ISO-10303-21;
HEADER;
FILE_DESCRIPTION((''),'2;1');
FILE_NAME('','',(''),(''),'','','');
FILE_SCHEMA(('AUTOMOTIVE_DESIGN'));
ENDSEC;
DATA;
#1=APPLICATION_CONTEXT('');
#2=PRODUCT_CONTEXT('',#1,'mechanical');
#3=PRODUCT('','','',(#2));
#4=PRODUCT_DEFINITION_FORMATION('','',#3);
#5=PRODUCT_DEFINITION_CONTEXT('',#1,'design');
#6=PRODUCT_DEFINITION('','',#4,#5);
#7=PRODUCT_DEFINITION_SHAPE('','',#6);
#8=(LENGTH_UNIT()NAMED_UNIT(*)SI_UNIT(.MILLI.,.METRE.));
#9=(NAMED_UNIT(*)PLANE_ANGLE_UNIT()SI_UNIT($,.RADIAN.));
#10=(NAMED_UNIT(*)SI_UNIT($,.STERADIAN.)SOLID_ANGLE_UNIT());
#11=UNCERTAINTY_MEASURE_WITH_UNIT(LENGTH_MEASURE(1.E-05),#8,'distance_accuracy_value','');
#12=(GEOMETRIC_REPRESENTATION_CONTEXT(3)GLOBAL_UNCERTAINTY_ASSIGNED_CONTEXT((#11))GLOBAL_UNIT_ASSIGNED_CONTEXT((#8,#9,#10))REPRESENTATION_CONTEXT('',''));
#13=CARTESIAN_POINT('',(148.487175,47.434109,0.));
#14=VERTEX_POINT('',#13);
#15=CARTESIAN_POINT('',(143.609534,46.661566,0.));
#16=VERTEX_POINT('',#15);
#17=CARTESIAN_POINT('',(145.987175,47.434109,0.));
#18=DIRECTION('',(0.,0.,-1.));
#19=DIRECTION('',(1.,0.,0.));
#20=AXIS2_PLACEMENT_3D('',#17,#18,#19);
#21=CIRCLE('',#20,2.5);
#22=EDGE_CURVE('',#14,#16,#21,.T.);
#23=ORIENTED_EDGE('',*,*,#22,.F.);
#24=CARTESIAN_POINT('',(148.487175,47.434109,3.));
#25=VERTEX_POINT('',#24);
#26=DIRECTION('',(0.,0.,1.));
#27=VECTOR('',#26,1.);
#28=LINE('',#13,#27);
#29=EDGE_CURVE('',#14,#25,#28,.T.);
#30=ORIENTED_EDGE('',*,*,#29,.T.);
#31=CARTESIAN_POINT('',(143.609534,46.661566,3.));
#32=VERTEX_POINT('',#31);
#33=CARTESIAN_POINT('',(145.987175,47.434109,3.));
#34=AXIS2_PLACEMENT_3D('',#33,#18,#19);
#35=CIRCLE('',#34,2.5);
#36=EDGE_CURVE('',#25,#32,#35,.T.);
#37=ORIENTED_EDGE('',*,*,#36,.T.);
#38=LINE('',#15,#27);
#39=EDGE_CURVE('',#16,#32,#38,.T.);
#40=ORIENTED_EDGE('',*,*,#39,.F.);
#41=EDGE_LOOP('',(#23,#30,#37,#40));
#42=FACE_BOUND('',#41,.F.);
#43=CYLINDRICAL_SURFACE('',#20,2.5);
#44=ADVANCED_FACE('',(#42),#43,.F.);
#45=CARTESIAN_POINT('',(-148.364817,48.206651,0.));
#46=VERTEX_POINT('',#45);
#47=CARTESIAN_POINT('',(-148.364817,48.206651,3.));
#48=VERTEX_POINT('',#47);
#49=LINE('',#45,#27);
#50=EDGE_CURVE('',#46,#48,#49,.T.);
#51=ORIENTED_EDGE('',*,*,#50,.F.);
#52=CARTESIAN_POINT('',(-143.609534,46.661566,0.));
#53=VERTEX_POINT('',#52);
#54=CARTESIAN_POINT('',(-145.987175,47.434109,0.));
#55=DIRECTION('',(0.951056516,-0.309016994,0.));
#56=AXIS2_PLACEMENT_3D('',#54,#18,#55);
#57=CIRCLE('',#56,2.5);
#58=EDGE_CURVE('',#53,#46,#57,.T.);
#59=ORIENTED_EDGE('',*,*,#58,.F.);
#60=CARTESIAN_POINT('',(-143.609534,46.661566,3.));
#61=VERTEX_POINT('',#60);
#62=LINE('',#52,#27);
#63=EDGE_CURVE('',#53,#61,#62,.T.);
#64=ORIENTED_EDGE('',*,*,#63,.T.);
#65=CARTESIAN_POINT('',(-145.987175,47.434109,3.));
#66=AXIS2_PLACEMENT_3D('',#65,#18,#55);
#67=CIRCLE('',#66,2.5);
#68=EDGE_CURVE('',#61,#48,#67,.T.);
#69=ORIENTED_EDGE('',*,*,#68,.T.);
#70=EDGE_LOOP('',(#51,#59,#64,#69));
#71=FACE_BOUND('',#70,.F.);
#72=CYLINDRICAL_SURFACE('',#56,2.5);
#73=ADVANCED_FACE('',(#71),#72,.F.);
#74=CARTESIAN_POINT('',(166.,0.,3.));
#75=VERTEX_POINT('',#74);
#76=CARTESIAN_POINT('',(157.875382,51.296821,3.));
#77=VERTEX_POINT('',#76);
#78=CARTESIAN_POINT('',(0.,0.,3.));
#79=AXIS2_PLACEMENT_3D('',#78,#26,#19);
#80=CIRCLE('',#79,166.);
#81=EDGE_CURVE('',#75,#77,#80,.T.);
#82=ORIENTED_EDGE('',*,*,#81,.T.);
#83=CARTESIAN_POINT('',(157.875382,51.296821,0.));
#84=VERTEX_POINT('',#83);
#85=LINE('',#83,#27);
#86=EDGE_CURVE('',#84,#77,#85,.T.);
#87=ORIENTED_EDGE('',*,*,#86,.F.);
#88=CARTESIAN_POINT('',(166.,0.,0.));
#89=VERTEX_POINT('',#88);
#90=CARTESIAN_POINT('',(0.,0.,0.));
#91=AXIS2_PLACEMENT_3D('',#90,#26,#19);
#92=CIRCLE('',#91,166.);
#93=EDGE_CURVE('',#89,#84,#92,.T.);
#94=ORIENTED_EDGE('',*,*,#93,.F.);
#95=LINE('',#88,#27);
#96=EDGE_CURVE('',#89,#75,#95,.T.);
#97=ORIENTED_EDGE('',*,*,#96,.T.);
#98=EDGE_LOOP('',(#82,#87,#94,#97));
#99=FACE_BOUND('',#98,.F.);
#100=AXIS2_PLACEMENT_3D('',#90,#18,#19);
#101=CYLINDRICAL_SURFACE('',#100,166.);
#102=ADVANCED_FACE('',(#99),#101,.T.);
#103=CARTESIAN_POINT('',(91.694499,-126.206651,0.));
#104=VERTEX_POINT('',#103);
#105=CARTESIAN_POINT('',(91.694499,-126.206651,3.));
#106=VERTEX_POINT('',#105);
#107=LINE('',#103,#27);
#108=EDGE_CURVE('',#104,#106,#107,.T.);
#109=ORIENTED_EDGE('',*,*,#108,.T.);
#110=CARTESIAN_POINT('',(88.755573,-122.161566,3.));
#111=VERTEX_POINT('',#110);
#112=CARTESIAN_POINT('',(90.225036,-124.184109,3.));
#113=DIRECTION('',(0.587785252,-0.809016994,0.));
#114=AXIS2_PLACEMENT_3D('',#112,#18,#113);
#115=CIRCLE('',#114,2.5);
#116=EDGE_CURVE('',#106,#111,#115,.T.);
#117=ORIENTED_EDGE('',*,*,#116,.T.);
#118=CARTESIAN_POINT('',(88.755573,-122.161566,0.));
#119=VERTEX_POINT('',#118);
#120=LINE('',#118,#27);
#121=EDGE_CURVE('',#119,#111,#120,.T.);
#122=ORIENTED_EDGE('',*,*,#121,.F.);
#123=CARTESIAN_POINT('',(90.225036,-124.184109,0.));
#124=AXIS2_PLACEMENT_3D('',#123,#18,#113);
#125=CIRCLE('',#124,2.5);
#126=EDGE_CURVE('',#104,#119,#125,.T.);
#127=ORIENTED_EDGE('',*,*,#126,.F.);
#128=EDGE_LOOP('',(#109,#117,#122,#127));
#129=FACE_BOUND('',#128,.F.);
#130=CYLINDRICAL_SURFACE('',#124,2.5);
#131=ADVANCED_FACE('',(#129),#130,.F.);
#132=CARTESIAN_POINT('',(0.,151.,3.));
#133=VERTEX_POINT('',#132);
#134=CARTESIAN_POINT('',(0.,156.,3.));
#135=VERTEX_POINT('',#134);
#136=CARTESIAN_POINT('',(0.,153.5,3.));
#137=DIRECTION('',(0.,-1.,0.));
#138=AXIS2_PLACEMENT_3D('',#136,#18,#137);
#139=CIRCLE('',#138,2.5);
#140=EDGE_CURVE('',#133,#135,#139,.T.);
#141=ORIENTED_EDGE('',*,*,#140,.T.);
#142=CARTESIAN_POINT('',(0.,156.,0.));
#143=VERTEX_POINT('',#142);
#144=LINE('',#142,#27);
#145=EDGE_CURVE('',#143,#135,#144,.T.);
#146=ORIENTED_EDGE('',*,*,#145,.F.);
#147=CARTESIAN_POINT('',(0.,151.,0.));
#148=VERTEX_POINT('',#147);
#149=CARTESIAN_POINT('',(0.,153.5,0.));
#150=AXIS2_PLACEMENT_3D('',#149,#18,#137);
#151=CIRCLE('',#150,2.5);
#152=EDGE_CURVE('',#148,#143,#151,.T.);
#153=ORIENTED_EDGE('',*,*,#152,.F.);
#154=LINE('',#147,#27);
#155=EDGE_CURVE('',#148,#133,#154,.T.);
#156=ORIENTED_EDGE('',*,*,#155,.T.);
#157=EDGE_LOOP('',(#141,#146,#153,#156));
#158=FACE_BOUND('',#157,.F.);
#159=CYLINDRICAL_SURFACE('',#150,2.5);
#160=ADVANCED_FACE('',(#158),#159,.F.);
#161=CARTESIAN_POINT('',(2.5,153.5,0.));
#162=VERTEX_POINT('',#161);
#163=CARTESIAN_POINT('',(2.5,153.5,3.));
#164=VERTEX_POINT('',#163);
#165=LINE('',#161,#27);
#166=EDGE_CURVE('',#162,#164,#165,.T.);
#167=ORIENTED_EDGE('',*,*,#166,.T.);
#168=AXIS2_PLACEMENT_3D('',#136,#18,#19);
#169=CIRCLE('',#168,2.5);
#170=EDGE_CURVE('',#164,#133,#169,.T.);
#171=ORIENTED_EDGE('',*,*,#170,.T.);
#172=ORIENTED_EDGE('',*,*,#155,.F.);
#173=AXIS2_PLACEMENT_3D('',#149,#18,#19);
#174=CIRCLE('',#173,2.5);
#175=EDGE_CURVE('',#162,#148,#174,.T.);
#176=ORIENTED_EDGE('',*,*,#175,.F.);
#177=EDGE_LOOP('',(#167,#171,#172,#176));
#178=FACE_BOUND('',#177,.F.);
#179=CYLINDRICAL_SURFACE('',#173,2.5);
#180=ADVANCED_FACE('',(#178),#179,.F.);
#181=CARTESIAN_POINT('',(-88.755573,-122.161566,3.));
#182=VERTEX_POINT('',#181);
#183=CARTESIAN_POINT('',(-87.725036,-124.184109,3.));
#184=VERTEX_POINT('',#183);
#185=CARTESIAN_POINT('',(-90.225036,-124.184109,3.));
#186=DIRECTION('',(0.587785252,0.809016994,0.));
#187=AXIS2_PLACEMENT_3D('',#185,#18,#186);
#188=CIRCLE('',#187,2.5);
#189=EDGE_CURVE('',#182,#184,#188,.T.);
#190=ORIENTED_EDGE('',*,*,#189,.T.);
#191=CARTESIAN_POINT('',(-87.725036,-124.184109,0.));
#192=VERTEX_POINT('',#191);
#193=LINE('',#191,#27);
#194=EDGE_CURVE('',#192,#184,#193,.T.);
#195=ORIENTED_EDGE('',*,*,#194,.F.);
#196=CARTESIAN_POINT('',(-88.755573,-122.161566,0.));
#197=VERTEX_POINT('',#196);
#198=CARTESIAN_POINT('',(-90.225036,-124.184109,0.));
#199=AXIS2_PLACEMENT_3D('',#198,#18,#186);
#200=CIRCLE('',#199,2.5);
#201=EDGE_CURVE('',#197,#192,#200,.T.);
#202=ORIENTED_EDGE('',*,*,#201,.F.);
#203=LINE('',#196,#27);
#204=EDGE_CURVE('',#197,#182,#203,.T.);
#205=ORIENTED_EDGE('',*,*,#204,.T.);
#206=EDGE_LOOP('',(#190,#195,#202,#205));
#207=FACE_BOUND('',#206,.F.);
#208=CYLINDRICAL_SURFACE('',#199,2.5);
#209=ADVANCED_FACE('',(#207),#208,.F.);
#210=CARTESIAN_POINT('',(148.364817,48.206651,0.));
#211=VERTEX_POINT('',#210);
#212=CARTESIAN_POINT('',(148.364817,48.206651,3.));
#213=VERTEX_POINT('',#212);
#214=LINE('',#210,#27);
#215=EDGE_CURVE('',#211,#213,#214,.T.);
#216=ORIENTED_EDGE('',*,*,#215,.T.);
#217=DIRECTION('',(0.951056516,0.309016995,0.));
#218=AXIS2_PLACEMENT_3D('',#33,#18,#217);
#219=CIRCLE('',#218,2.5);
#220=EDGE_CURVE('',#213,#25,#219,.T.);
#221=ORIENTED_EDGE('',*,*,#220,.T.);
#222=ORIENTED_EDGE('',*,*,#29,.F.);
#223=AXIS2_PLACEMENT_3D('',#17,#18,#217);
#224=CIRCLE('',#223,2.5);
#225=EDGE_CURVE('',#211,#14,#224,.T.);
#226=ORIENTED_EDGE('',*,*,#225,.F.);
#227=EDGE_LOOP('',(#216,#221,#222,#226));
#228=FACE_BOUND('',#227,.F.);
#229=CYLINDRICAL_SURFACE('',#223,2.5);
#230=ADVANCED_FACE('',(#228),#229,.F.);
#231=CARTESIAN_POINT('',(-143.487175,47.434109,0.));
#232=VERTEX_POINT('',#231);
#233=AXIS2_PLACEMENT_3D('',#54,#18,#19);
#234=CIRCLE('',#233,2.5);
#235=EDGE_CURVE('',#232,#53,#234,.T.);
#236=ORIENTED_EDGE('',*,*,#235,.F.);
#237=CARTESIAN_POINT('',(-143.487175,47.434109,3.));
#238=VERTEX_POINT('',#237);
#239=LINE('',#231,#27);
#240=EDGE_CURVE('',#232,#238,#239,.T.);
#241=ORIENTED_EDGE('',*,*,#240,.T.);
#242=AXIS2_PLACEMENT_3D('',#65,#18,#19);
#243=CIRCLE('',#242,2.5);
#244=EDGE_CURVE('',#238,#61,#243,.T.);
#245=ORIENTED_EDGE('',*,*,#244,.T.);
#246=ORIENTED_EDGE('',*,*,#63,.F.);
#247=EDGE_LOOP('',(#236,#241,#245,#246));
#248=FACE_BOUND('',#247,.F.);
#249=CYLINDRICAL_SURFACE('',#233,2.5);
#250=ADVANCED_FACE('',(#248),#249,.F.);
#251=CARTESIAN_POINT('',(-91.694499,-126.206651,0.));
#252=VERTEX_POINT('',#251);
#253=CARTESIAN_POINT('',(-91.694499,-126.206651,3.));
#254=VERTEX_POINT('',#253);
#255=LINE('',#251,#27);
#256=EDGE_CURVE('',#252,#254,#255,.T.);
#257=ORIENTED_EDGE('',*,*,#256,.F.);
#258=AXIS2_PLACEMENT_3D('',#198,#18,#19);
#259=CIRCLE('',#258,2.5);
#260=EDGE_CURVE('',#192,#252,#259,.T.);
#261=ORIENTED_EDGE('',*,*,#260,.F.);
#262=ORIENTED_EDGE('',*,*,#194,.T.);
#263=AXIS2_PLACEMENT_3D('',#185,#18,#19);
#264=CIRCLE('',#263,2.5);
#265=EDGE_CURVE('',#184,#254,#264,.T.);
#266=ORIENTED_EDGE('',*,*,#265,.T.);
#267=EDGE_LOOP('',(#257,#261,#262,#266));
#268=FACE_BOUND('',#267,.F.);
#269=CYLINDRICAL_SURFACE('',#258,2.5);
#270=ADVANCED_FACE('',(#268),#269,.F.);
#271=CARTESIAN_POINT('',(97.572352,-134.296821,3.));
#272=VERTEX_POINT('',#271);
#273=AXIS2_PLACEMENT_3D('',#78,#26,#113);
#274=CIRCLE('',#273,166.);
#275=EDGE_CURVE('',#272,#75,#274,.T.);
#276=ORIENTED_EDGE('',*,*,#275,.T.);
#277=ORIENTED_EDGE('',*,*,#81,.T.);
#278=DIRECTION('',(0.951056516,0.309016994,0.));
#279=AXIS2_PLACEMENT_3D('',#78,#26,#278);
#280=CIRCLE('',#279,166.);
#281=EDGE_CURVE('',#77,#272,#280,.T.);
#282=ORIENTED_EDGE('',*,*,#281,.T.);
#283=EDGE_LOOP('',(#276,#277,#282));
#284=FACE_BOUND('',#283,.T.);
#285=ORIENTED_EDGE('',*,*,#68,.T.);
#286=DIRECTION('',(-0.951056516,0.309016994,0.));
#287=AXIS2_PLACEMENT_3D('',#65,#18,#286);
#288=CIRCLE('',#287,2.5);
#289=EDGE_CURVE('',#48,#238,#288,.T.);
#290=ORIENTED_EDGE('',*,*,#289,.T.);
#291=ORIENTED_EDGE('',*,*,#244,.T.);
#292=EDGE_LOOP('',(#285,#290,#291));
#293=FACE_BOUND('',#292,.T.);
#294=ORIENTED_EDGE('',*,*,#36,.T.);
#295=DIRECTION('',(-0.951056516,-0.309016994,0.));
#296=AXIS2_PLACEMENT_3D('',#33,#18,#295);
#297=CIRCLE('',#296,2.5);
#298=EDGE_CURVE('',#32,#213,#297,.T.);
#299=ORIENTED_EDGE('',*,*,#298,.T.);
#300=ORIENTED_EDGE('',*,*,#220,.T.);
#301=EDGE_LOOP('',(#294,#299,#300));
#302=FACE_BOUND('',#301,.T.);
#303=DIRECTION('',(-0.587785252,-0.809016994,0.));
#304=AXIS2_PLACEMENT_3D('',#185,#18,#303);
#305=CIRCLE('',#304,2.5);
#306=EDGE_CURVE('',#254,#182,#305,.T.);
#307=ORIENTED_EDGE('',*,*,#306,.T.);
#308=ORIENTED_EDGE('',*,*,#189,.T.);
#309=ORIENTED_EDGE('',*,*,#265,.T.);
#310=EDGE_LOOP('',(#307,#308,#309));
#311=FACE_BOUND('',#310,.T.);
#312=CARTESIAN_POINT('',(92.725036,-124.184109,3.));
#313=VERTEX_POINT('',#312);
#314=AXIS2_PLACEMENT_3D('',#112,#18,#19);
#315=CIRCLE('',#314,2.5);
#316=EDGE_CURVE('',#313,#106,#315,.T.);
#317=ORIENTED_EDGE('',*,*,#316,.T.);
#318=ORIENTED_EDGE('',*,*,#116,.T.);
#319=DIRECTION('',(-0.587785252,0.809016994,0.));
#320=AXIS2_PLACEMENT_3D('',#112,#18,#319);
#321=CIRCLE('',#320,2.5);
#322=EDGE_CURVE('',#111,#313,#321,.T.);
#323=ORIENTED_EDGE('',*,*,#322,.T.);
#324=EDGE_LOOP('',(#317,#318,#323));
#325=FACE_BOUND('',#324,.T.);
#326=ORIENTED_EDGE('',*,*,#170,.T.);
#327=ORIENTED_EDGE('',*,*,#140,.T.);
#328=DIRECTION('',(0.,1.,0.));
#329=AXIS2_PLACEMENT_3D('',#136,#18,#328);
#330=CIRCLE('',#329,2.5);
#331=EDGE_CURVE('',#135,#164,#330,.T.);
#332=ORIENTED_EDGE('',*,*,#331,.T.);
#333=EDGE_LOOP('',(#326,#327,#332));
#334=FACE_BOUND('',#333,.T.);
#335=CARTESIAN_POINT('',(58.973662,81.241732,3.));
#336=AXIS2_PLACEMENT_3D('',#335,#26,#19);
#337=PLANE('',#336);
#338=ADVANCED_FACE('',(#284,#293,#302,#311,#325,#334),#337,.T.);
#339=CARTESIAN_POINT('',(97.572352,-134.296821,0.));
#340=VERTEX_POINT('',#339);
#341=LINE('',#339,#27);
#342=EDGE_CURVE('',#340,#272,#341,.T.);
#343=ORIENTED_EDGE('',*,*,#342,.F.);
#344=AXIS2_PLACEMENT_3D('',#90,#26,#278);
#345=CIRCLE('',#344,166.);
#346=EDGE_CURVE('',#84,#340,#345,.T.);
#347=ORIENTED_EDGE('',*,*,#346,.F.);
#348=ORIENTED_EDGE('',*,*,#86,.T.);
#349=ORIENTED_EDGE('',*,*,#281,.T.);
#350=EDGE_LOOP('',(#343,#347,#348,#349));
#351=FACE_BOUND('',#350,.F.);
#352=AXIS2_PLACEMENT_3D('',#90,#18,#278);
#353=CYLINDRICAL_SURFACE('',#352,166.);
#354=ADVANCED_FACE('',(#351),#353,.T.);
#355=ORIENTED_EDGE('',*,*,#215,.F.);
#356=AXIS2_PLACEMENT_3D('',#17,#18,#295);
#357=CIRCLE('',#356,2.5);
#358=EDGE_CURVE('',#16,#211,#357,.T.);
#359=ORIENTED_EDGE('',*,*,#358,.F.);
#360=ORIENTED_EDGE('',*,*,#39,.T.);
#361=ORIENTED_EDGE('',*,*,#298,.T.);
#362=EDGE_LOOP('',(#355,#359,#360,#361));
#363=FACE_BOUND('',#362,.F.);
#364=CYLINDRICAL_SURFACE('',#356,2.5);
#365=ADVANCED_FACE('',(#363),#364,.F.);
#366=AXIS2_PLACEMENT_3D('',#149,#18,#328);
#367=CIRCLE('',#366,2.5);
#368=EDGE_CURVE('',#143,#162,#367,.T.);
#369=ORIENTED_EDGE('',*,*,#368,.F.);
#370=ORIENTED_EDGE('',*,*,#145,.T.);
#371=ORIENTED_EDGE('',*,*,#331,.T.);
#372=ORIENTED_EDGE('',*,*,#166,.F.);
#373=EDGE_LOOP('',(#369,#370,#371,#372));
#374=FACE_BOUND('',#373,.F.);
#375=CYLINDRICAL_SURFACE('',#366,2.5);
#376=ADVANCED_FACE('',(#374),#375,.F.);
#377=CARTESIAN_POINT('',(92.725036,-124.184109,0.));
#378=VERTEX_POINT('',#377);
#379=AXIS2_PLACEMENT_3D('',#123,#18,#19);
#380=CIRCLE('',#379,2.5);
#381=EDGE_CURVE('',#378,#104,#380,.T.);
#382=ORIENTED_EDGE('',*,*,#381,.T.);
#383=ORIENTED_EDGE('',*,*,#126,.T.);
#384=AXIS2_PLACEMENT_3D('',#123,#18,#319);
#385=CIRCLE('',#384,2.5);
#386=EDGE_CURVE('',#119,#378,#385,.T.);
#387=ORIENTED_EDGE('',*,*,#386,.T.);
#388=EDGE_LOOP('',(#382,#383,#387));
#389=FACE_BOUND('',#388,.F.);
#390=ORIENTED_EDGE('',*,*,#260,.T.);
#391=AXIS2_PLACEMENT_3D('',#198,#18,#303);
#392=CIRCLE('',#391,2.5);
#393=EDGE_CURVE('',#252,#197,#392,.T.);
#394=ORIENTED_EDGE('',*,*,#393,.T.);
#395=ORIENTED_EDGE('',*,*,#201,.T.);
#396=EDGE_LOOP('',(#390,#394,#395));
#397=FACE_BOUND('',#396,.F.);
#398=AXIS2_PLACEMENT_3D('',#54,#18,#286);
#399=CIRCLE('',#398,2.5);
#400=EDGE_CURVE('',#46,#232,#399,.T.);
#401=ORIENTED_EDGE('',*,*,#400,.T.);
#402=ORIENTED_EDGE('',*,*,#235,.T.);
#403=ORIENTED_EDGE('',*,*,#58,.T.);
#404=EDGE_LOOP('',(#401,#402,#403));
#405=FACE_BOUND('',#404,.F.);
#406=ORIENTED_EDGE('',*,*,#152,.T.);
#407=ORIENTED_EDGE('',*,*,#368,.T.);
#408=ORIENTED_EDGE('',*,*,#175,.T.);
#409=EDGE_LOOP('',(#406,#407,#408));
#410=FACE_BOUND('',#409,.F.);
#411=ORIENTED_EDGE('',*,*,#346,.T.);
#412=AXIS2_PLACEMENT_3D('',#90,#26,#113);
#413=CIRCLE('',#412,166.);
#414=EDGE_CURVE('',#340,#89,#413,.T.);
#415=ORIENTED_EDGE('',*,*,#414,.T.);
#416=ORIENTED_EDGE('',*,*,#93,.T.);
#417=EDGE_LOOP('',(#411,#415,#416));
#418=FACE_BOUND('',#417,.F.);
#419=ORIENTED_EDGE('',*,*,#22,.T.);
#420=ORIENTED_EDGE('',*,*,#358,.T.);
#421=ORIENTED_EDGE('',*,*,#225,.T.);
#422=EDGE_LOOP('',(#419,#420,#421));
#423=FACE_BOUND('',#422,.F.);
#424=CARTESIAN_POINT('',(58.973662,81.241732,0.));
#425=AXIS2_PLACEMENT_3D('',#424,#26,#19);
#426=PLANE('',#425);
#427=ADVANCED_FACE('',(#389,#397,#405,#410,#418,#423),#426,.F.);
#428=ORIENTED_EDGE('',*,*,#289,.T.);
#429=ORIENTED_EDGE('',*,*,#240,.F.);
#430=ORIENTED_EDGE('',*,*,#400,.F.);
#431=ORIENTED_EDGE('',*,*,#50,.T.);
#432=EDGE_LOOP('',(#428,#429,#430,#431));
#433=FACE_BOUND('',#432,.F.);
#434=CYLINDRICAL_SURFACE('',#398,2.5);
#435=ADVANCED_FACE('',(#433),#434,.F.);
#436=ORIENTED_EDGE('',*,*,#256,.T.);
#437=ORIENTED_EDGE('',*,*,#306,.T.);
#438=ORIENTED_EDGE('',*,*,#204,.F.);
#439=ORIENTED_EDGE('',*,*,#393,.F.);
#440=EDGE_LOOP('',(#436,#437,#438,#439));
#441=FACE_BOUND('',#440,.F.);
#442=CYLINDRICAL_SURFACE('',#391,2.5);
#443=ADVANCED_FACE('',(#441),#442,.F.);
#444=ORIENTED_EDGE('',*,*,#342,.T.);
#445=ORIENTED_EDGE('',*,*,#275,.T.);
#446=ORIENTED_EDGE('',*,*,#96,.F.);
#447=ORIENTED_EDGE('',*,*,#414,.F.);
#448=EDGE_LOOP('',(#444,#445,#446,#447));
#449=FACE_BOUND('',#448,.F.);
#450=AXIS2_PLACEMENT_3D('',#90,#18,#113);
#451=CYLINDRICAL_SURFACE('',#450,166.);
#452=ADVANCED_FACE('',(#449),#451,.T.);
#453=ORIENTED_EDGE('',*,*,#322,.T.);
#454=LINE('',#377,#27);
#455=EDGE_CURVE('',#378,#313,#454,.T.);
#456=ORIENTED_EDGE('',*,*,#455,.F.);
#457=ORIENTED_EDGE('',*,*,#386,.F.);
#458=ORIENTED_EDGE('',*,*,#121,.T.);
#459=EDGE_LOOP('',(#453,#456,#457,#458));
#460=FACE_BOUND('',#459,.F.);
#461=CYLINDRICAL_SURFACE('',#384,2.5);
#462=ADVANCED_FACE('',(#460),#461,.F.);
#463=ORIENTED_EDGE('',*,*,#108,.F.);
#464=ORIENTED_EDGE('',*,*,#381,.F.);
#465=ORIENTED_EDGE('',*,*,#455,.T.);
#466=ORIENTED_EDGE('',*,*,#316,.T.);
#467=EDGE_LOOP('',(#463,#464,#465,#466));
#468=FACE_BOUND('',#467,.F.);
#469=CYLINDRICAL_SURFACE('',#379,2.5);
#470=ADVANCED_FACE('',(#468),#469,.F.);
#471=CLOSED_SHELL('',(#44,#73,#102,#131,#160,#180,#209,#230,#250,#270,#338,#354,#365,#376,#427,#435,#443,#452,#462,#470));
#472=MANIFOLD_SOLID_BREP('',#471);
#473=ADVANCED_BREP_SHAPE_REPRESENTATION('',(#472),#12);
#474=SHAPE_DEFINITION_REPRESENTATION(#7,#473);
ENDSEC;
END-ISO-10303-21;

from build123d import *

# Parameters (mm, degrees)
F1_DEPTH = 3


with BuildPart() as f1:
    # F0 (on Top) → F1 (new body)
    with BuildSketch(Plane.XY):
        with BuildLine():
            Line((148.364816542, 48.2066511225), (157.875381705, 51.2968210662))
            ThreePointArc((157.875381705, 51.2968210662), (97.5723518806, 134.2968210662), (0, 166))
            Line((0, 166), (0, 156))
            ThreePointArc((0, 156), (1.767766953, 155.267766953), (2.5, 153.5))
            ThreePointArc((2.5, 153.5), (1.767766953, 151.732233047), (0, 151))
            Line((0, 151), (0, 0))
            Line((0, 0), (143.6095339606, 46.6615661506))
            ThreePointArc((143.6095339606, 46.6615661506), (145.2146327654, 49.8117499273), (148.364816542, 48.2066511225))
        make_face()
        with BuildLine():
            ThreePointArc((97.5723518806, -134.2968210662), (147.9070830153, -75.3624229568), (166, 0))
            ThreePointArc((166, 0), (163.9562645388, 25.9681211967), (157.875381705, 51.2968210662))
            Line((157.875381705, 51.2968210662), (148.364816542, 48.2066511225))
            ThreePointArc((148.364816542, 48.2066511225), (148.4563961028, 47.8251947992), (148.4871752513, 47.4341086366))
            ThreePointArc((148.4871752513, 47.4341086366), (146.3782614139, 44.9648877851), (143.6095339606, 46.6615661506))
            Line((143.6095339606, 46.6615661506), (0, 0))
            Line((0, 0), (88.7555730962, -122.1615661506))
            ThreePointArc((88.7555730962, -122.1615661506), (91.3600124762, -121.9565923261), (92.7250362269, -124.1841086366))
            ThreePointArc((92.7250362269, -124.1841086366), (92.4525525374, -125.3190848859), (91.6944993576, -126.2066511225))
            Line((91.6944993576, -126.2066511225), (97.5723518806, -134.2968210662))
        make_face()
        with BuildLine():
            ThreePointArc((-97.5723518806, -134.2968210662), (0, -166), (97.5723518806, -134.2968210662))
            Line((97.5723518806, -134.2968210662), (91.6944993576, -126.2066511225))
            ThreePointArc((91.6944993576, -126.2066511225), (88.202493741, -125.6535717673), (88.7555730962, -122.1615661506))
            Line((88.7555730962, -122.1615661506), (0, 0))
            Line((0, 0), (-88.7555730962, -122.1615661506))
            ThreePointArc((-88.7555730962, -122.1615661506), (-87.9975199164, -123.0491323872), (-87.7250362269, -124.1841086366))
            ThreePointArc((-87.7250362269, -124.1841086366), (-89.0900599775, -126.411624947), (-91.6944993576, -126.2066511225))
            Line((-91.6944993576, -126.2066511225), (-97.5723518806, -134.2968210662))
        make_face()
        with BuildLine():
            ThreePointArc((-157.875381705, 51.2968210662), (-157.875381705, -51.2968210662), (-97.5723518806, -134.2968210662))
            Line((-97.5723518806, -134.2968210662), (-91.6944993576, -126.2066511225))
            ThreePointArc((-91.6944993576, -126.2066511225), (-92.2475787128, -122.7146455058), (-88.7555730962, -122.1615661506))
            Line((-88.7555730962, -122.1615661506), (0, 0))
            Line((0, 0), (-143.6095339606, 46.6615661506))
            ThreePointArc((-143.6095339606, 46.6615661506), (-146.7597177372, 45.0564673458), (-148.364816542, 48.2066511225))
            Line((-148.364816542, 48.2066511225), (-157.875381705, 51.2968210662))
        make_face()
        with BuildLine():
            Line((0, 156), (0, 166))
            ThreePointArc((0, 166), (-97.5723518806, 134.2968210662), (-157.875381705, 51.2968210662))
            Line((-157.875381705, 51.2968210662), (-148.364816542, 48.2066511225))
            ThreePointArc((-148.364816542, 48.2066511225), (-145.5960890887, 49.903329488), (-143.4871752513, 47.4341086366))
            ThreePointArc((-143.4871752513, 47.4341086366), (-143.5179543998, 47.043022474), (-143.6095339606, 46.6615661506))
            Line((-143.6095339606, 46.6615661506), (0, 0))
            Line((0, 0), (0, 151))
            ThreePointArc((0, 151), (-2.5, 153.5), (0, 156))
        make_face()
    extrude(amount=F1_DEPTH)


solid = f1.part
